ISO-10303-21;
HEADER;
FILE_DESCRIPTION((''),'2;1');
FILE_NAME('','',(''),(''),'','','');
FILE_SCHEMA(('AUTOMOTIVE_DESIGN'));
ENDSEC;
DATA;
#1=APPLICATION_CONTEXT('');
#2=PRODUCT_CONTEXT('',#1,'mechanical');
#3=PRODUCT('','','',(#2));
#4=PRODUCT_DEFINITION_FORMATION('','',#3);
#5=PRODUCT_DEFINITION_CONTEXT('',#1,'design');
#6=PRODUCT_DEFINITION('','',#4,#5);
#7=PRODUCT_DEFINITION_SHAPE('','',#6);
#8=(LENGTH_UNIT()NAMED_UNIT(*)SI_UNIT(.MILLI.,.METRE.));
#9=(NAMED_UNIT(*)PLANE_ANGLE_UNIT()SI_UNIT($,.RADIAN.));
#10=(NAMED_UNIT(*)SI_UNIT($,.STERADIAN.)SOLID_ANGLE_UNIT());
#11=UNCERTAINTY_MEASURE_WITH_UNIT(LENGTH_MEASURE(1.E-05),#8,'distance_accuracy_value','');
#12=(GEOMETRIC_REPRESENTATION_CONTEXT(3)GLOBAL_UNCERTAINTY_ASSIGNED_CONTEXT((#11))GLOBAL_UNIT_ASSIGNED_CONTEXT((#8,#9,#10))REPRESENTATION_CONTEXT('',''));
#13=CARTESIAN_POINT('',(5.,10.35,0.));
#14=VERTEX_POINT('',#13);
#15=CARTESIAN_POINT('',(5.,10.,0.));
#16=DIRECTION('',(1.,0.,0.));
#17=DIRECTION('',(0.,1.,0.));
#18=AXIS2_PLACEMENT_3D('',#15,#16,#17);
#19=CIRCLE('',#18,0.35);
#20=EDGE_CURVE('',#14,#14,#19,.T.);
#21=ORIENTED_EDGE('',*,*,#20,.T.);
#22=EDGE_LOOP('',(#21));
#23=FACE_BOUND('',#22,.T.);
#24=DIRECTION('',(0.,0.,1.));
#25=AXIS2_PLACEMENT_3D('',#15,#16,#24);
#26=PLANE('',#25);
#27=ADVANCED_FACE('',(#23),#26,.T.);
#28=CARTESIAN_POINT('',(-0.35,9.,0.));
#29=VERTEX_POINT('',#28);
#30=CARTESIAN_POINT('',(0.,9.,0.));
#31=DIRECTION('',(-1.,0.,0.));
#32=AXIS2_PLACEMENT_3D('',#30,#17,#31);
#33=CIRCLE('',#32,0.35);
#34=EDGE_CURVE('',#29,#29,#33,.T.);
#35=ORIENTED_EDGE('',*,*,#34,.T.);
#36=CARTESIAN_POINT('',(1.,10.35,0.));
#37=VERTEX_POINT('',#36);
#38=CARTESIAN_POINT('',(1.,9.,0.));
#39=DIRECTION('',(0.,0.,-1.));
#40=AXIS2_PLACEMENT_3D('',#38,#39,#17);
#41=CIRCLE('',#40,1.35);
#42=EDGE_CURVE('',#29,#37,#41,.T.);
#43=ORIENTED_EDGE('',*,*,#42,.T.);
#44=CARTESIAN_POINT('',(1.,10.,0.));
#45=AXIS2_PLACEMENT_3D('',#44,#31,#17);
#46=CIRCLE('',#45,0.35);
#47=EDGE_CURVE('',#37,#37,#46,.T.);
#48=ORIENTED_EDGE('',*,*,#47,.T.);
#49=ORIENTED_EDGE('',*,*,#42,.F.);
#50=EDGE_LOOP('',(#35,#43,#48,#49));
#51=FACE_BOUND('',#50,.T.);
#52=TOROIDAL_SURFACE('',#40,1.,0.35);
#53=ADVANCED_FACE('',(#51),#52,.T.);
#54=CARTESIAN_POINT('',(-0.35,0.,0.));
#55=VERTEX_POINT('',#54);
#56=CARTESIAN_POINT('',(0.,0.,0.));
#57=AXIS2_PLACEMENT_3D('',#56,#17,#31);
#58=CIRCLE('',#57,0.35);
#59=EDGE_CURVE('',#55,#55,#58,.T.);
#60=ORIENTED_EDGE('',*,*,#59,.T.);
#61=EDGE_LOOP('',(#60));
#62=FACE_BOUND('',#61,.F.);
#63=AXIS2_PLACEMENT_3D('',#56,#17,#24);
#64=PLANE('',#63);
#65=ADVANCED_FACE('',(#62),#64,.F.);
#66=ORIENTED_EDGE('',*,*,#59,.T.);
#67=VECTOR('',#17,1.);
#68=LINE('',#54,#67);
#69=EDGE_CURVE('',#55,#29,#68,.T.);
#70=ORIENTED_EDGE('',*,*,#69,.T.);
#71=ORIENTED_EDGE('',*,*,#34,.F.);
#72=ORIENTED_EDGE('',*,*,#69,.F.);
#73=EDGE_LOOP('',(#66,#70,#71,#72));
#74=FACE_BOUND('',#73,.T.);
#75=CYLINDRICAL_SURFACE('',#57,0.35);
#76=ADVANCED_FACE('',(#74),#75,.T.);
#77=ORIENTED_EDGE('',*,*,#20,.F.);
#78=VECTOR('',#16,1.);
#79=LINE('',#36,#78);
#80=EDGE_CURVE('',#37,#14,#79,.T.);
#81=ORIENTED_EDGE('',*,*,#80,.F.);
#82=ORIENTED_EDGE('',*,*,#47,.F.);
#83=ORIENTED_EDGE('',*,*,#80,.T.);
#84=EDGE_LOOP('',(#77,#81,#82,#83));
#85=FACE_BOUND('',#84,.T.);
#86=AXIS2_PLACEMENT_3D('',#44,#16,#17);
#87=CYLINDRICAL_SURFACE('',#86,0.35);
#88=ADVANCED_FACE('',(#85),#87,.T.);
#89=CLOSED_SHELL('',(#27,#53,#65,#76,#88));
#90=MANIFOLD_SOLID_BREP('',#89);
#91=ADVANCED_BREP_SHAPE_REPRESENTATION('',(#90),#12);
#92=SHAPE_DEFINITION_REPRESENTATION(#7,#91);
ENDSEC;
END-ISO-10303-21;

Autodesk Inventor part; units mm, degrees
ref_plane "YZ Plane" through (0, 0, 0) normal (1, 0, 0) x (0, 1, 0)
ref_plane "XZ Plane" through (0, 0, 0) normal (0, 1, 0) x (-1, 0, 0)
ref_plane "XY Plane" through (0, 0, 0) normal (0, 0, 1) x (1, 0, 0)
sketch "Sketch1" plane through (0, 0, 0) normal (0, 0, 1) x (1, 0, 0)
  line L0 (0, 0) -> (0, 9)
  line L1 (1, 10) -> (5, 10)
  arc A0 (1, 10) -> (0, 9) centre (1, 9) ccw
  point P0 (0, 10)
  dimension "d0" = 5
  dimension "d1" = 10
  dimension "d2" = 1
sketch "Sketch2" plane through (0, 0, 0) normal (0, 1, 0) x (-1, 0, 0)
  circle A0 centre (0, 0) radius 0.35
  dimension "d3" = 0.7
sweep "Sweep1" add profiles "Sketch2" path "Sketch1"
properties part number "TorsOsc-202511-pin" material "Nickel-Copper Alloy 400"
